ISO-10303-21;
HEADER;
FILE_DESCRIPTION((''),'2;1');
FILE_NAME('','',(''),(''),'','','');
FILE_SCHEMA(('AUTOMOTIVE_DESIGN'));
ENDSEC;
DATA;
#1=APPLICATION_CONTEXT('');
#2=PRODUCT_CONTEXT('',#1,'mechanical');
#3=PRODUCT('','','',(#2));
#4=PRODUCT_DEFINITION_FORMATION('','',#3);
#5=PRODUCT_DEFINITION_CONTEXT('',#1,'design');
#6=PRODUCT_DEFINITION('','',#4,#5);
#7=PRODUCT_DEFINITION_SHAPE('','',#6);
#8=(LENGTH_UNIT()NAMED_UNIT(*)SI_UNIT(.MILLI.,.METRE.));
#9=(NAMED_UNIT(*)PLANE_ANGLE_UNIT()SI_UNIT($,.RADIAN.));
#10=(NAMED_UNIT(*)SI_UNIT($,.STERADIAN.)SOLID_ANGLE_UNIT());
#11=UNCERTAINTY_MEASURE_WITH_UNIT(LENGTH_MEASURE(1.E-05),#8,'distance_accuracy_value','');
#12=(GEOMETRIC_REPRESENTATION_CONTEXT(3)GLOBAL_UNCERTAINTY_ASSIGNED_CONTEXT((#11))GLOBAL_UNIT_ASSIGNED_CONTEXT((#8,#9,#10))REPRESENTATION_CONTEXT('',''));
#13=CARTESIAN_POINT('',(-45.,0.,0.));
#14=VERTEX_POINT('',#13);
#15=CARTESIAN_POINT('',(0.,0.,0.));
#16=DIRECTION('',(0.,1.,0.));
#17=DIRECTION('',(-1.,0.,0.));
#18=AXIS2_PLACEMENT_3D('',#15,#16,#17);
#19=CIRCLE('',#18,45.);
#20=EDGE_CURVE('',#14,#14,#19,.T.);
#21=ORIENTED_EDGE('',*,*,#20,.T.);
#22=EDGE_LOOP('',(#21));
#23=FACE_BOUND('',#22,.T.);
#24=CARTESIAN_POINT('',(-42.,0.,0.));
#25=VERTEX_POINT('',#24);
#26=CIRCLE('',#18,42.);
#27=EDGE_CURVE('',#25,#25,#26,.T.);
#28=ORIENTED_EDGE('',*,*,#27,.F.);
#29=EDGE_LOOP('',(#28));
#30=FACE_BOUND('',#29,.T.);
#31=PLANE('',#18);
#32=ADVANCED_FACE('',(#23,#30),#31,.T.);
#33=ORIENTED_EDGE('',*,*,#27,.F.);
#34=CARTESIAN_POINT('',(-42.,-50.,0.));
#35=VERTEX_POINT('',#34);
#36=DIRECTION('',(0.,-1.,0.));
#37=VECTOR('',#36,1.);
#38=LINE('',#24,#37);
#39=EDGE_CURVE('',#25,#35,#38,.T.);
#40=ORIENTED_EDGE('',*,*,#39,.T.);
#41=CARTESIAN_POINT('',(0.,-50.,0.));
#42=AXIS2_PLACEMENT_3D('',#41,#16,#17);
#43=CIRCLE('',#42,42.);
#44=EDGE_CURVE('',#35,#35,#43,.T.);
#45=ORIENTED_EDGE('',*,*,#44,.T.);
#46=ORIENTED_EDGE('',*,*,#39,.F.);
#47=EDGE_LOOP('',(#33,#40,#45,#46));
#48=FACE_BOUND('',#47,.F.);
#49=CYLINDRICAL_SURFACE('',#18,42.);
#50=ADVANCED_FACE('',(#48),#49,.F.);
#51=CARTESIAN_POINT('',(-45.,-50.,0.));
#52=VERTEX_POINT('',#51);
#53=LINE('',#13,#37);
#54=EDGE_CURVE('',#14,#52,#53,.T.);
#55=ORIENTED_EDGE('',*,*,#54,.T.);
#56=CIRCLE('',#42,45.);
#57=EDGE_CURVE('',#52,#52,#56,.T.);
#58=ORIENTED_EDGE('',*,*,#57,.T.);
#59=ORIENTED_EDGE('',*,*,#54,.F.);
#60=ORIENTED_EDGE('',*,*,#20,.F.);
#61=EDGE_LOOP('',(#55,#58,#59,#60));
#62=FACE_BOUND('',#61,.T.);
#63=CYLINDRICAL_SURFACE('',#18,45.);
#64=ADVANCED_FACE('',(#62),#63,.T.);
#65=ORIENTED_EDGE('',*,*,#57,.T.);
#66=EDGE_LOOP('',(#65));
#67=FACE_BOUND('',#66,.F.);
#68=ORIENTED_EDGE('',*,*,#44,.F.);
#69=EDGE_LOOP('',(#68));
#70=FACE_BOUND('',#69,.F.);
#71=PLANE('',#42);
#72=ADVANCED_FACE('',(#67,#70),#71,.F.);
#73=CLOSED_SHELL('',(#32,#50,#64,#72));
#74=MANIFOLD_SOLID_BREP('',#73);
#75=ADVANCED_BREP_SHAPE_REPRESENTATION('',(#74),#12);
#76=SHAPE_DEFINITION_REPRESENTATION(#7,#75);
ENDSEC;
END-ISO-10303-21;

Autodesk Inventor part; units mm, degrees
ref_plane "YZ Plane" through (0, 0, 0) normal (1, 0, 0) x (0, 1, 0)
ref_plane "XZ Plane" through (0, 0, 0) normal (0, 1, 0) x (-1, 0, 0)
ref_plane "XY Plane" through (0, 0, 0) normal (0, 0, 1) x (1, 0, 0)
sketch "Sketch1" plane through (0, 0, 0) normal (0, 1, 0) x (-1, 0, 0)
  circle A0 centre (0, 0) radius 45
  circle A1 centre (0, 0) radius 42
  dimension "d0" = 90
  dimension "d1" = 3
extrude "Extrusion1" add sketch "Sketch1" against normal blind 50
properties part number "PRS 9612 FDS tube 2_1200"
